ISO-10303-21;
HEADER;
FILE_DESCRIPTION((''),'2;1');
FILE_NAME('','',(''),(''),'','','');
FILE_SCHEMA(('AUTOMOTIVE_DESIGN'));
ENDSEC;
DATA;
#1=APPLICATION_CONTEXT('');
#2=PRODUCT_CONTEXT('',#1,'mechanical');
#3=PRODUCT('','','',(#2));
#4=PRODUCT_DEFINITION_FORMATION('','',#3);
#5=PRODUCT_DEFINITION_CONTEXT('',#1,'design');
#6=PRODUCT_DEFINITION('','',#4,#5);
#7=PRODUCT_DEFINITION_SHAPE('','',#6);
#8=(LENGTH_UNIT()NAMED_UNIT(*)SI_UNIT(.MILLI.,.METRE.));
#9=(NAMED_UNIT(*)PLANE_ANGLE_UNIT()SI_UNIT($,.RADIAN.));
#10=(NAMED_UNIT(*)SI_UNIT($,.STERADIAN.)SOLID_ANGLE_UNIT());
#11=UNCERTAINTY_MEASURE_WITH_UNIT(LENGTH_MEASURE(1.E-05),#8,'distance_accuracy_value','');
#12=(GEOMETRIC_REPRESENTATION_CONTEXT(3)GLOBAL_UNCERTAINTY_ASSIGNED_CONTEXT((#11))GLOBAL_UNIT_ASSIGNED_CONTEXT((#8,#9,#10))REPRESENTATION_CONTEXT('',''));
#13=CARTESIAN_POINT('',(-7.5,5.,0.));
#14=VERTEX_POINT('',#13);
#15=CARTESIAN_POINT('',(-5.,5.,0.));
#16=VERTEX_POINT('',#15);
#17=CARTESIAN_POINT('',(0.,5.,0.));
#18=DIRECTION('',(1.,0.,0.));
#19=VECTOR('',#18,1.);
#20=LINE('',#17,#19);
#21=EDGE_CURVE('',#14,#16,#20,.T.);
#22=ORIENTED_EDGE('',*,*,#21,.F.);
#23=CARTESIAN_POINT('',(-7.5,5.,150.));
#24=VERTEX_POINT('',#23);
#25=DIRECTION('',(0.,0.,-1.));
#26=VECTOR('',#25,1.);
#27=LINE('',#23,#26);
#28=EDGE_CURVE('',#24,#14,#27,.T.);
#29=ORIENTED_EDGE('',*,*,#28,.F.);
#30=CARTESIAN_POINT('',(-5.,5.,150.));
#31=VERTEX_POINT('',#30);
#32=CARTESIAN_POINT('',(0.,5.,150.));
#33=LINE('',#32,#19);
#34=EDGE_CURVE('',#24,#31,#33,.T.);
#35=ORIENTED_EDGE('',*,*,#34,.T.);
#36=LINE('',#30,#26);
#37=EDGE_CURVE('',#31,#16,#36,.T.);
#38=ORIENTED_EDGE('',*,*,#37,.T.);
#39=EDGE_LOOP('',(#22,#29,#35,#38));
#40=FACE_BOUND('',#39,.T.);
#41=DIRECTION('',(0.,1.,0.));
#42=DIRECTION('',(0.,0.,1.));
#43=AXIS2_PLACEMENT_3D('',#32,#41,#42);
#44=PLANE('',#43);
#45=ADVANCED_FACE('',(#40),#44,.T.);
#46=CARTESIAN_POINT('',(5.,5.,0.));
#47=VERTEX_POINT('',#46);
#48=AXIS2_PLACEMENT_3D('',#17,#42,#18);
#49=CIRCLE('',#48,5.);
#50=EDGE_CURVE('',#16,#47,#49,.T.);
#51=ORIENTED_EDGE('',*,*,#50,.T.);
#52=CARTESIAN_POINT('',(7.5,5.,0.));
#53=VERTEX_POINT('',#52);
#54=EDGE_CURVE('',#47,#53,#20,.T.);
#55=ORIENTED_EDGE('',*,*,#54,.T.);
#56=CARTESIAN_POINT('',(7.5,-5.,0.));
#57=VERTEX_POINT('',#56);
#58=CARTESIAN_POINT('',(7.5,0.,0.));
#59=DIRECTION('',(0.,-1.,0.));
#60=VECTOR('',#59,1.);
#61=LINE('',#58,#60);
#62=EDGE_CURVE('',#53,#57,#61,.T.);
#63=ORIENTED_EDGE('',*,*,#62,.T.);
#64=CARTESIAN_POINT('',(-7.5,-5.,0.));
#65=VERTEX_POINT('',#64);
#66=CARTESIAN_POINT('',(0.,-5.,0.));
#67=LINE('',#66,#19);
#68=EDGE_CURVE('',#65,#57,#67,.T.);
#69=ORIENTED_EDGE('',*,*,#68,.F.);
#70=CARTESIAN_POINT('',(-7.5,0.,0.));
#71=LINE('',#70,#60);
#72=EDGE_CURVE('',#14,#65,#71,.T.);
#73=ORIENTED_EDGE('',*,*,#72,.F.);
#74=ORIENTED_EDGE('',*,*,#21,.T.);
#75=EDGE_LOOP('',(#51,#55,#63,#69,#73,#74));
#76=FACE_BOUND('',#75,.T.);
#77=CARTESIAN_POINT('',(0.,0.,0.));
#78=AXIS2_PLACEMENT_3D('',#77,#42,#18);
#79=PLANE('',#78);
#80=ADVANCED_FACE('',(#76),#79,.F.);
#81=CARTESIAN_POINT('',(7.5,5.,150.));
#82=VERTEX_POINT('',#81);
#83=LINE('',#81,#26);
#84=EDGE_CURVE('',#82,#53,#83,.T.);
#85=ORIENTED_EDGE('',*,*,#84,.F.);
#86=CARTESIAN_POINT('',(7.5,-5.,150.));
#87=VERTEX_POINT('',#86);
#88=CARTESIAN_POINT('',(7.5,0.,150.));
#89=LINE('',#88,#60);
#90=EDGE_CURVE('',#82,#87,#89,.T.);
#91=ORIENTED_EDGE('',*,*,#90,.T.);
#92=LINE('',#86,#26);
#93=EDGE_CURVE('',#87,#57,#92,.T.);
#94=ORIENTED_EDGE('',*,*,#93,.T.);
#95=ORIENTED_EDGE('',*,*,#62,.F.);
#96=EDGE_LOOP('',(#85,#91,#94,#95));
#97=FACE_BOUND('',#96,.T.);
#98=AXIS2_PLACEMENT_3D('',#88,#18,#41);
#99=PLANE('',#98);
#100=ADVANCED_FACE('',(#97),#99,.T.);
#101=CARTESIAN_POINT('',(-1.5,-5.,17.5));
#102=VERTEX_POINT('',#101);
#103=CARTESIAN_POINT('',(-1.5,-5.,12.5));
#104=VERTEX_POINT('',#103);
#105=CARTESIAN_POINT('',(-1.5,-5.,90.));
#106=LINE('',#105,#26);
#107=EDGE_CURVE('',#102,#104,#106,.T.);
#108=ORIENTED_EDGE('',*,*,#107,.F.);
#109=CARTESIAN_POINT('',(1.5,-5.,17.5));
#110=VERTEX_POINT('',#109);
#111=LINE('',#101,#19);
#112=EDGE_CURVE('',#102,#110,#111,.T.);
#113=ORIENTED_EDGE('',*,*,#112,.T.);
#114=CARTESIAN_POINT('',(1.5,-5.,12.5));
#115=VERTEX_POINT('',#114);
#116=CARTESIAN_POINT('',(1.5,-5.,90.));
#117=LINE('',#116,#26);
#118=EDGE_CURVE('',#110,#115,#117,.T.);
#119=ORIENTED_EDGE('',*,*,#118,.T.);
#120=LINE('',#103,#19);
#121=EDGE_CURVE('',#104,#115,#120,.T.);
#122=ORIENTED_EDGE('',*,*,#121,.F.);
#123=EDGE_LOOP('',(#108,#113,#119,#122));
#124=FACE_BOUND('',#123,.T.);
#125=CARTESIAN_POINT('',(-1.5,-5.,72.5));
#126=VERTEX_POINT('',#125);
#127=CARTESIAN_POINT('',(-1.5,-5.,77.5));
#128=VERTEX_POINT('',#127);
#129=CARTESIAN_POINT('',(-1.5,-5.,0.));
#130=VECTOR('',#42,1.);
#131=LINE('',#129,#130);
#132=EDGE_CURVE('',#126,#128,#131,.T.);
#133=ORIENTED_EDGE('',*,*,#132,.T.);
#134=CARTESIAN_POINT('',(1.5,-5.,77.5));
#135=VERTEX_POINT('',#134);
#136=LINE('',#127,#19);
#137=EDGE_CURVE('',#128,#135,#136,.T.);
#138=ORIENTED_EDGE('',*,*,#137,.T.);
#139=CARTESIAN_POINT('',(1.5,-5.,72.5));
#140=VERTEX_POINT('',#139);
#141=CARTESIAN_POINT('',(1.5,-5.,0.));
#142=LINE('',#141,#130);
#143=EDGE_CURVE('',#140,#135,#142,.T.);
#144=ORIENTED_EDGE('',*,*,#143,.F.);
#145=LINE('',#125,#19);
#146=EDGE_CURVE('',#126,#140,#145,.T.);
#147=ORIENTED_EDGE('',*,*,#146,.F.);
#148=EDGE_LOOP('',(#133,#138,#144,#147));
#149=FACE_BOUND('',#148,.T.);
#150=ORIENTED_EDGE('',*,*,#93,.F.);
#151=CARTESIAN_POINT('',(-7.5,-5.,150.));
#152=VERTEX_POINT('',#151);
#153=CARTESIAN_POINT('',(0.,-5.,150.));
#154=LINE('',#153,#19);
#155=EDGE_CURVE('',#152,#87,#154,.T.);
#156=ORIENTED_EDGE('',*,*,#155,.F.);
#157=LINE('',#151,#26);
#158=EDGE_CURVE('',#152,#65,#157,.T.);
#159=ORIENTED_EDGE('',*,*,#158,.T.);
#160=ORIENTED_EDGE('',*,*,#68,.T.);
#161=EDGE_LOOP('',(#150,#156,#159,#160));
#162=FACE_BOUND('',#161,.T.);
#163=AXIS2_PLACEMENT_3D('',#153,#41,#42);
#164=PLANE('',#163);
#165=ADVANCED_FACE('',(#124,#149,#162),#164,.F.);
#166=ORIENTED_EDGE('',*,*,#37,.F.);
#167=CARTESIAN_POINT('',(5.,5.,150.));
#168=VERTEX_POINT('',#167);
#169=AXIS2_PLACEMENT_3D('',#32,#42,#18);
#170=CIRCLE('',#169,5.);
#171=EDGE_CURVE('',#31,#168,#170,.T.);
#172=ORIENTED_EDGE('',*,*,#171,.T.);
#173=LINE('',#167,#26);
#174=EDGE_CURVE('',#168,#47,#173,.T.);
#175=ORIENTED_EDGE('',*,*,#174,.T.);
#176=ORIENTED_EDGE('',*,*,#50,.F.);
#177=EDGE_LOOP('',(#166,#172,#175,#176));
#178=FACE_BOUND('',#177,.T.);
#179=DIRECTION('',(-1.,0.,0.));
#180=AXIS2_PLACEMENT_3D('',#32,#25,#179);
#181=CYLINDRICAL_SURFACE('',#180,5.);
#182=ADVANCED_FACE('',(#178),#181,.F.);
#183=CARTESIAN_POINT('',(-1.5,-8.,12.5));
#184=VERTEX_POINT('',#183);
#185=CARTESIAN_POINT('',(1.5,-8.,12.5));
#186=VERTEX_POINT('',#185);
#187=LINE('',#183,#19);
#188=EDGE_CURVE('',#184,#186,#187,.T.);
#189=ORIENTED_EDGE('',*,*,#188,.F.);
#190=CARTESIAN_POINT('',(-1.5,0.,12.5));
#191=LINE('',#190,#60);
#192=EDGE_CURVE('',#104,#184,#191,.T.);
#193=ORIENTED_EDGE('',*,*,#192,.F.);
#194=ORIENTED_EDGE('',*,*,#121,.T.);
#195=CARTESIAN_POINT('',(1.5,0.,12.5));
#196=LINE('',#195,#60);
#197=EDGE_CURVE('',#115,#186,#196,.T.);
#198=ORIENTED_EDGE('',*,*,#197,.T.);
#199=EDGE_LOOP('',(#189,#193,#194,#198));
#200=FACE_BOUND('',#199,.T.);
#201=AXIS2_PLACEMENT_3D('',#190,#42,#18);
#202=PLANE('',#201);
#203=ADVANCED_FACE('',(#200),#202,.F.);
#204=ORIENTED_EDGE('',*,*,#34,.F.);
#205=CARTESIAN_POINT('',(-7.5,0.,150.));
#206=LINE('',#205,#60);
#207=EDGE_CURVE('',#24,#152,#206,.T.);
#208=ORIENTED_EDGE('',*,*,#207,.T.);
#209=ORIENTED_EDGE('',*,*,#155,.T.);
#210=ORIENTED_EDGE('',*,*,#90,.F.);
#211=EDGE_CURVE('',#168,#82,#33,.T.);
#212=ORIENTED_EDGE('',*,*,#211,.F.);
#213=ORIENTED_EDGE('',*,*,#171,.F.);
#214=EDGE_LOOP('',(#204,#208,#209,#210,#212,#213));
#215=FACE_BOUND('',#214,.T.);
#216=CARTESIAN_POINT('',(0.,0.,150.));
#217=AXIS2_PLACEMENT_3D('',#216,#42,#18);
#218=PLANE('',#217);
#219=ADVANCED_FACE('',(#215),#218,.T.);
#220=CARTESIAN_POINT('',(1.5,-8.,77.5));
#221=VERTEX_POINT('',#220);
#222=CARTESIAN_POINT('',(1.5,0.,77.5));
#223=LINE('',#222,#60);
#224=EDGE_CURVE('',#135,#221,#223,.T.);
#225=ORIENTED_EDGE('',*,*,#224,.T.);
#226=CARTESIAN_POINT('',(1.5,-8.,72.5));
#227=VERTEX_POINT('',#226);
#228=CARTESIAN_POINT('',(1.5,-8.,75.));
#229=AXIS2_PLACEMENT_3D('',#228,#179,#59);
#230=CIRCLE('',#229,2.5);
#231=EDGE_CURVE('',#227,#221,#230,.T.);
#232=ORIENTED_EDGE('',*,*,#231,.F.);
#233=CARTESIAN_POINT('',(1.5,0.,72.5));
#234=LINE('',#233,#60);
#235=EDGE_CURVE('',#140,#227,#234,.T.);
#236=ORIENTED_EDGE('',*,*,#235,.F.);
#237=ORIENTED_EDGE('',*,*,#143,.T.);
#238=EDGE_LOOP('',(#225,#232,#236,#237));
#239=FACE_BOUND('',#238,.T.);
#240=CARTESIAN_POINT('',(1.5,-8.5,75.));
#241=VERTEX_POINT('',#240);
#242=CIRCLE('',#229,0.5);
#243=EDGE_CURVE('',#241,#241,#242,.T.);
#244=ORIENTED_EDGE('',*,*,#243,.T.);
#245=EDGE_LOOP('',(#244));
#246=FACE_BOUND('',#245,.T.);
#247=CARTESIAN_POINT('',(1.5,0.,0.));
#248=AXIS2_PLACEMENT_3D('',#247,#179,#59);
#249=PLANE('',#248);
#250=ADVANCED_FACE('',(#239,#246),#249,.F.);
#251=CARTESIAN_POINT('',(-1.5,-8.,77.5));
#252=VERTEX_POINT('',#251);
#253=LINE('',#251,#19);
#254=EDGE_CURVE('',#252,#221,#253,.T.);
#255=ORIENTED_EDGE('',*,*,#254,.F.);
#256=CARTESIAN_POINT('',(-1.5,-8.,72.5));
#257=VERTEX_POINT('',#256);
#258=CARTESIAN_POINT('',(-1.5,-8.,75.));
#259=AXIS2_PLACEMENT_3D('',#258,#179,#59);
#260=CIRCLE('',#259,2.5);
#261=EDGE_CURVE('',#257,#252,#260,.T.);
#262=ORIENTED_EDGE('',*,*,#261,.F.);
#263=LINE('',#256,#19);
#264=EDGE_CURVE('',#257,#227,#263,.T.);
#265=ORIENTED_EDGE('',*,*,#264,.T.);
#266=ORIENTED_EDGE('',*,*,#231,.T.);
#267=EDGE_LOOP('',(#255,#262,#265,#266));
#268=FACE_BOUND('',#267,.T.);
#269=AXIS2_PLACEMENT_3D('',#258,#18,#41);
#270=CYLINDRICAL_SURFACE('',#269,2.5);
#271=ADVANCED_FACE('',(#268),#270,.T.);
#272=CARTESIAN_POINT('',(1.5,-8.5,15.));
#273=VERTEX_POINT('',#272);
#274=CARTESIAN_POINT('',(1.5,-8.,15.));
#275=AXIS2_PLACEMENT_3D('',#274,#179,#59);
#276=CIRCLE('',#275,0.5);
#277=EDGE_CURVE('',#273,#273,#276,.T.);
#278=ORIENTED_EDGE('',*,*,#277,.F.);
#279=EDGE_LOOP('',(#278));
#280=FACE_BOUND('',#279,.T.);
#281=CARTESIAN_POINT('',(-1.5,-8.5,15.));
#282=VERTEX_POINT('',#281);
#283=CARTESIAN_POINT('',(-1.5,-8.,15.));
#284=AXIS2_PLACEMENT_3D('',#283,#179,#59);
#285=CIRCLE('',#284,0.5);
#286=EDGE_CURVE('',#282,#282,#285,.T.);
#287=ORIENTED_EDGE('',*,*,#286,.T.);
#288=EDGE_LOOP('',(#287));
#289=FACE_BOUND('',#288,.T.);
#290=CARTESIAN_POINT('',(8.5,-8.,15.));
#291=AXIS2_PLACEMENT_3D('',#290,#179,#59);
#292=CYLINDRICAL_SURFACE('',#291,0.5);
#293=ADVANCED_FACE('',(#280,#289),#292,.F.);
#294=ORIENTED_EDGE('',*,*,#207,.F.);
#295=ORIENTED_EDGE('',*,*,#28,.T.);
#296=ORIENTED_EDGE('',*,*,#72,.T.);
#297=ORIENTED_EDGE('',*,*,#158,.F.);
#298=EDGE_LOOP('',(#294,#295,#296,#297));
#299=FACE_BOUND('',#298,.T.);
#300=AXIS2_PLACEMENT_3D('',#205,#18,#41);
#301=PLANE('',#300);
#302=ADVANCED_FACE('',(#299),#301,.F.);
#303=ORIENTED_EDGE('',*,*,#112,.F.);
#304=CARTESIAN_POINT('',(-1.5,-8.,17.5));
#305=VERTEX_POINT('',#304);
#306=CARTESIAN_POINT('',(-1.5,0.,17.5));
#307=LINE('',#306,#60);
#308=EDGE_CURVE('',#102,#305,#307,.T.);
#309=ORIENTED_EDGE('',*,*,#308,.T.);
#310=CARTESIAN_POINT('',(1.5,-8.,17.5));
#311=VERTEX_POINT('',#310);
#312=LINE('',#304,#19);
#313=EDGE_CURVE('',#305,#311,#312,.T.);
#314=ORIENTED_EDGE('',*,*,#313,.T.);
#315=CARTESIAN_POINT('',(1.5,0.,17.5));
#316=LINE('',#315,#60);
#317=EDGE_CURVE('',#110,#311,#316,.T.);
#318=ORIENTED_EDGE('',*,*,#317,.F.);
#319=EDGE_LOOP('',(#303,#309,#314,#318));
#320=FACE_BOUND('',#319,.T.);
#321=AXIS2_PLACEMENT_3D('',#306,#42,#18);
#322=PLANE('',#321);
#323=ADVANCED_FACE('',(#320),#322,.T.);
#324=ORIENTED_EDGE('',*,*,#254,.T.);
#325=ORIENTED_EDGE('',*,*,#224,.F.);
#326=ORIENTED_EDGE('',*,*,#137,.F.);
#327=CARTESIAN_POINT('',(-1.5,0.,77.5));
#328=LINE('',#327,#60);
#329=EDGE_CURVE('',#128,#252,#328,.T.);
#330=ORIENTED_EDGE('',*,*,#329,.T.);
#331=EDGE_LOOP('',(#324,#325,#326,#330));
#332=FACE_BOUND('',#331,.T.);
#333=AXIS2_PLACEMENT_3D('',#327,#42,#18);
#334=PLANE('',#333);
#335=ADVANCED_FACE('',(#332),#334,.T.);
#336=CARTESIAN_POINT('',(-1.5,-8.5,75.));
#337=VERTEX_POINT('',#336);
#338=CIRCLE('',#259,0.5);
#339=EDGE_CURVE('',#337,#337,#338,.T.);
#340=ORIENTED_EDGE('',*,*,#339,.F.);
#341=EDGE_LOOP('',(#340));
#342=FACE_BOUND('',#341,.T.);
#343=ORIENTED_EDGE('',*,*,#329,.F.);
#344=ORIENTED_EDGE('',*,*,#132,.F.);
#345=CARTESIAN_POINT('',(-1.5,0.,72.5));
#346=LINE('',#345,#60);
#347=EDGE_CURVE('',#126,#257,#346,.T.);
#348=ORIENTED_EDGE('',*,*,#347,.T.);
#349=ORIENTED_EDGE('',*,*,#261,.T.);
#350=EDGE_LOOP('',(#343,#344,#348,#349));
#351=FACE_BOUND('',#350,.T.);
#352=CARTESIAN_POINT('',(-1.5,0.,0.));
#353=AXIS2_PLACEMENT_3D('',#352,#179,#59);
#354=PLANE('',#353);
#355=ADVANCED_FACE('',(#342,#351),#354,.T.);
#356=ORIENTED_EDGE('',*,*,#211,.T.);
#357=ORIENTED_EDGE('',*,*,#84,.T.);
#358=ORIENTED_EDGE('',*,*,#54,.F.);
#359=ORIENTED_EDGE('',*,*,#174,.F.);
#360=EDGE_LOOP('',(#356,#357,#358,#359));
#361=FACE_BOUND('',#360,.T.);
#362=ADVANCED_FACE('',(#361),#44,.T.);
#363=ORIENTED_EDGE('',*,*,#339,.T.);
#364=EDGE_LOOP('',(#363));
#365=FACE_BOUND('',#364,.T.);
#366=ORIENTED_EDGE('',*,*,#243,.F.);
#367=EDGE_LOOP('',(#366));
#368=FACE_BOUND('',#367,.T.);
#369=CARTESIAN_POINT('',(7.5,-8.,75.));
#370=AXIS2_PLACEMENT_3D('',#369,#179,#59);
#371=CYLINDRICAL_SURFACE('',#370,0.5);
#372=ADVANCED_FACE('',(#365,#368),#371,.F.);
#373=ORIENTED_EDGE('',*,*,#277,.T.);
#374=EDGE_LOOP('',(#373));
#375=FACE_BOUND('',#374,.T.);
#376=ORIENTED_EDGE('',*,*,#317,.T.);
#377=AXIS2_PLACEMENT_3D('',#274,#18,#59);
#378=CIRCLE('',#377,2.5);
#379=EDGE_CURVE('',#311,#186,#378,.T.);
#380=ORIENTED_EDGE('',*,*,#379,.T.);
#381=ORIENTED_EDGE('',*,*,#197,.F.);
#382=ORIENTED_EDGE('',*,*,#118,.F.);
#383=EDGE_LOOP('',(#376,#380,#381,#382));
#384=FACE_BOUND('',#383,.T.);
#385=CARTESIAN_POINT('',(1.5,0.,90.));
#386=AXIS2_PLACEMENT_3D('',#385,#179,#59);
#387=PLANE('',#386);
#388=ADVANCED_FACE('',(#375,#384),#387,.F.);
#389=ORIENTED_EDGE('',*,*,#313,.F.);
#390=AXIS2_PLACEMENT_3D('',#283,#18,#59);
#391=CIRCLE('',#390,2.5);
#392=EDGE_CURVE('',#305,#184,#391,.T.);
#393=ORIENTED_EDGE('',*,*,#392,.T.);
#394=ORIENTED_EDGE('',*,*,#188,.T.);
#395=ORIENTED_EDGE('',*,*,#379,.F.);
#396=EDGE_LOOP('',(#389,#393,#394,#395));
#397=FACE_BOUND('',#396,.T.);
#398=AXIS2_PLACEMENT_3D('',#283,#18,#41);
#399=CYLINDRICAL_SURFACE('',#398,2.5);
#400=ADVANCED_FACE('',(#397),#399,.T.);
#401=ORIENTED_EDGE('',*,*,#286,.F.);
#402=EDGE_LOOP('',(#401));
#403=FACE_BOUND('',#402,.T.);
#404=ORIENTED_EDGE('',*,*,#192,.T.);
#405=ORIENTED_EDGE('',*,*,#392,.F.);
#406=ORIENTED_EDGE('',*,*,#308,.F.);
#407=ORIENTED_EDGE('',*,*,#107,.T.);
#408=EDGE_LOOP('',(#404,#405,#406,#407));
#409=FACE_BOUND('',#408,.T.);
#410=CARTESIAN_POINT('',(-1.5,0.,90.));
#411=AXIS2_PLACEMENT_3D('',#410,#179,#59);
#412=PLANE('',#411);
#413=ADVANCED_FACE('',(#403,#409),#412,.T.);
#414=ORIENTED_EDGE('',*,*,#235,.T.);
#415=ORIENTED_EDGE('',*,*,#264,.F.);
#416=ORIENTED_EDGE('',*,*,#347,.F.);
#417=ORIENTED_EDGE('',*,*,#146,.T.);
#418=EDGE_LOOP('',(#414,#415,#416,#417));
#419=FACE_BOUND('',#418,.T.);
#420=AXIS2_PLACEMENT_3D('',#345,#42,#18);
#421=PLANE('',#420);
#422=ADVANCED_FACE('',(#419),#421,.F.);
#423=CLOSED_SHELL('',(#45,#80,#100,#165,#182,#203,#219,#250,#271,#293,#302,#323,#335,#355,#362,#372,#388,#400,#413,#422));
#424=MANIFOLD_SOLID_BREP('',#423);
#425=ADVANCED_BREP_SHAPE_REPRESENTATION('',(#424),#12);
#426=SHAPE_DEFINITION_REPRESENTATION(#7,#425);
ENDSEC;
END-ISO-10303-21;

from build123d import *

# Parameters (mm, degrees)
BOSS_EXTRUDE1_DEPTH     = 150
BOSS_EXTRUDE6_DEPTH     = 1.5
SKETCH7_R               = 0.5
CUT_EXTRUDE1_DEPTH      = 8.5
CUT_EXTRUDE1_DEPTH_BACK = 8.5
SKETCH9_R               = 0.5
CUT_EXTRUDE2_DEPTH      = 10


with BuildPart() as part:
    # Sketch1 → Boss-Extrude1 (new body)
    with BuildSketch(Plane.XY):
        with BuildLine():
            Line((7.5, 5), (5, 5))
            ThreePointArc((5, 5), (0, 0), (-5, 5))
            Line((-5, 5), (-7.5, 5))
            Line((-7.5, 5), (-7.5, -5))
            Line((-7.5, -5), (7.5, -5))
            Line((7.5, -5), (7.5, 5))
        make_face()
    extrude(amount=BOSS_EXTRUDE1_DEPTH)

    # Sketch6 → Boss-Extrude6 (add, symmetric)
    with BuildSketch(Plane.ZY):
        with BuildLine():
            ThreePointArc((77.5, -8), (75, -5.5), (72.5, -8))
            Line((72.5, -8), (77.5, -8))
        make_face()
        with BuildLine():
            Line((77.5, -8), (72.5, -8))
            ThreePointArc((72.5, -8), (75, -10.5), (77.5, -8))
        make_face()
        with BuildLine():
            Line((77.5, -5), (72.5, -5))
            Line((72.5, -5), (72.5, -8))
            ThreePointArc((72.5, -8), (75, -5.5), (77.5, -8))
            Line((77.5, -8), (77.5, -5))
        make_face()
    boss_extrude6 = extrude(amount=BOSS_EXTRUDE6_DEPTH, both=True)

    # Mirror1: Boss-Extrude6 across plane
    add(boss_extrude6.mirror(Plane(origin=(0, 0, 45), x_dir=(1, 0, 0), z_dir=(0, 0, -1))))

    # Sketch7 → Cut-Extrude1 (cut, two sides)
    with BuildSketch(Plane.ZY) as cut_extrude1_sk:
        with Locations((75, -8)):
            Circle(SKETCH7_R)
    extrude(amount=CUT_EXTRUDE1_DEPTH, mode=Mode.SUBTRACT)
    extrude(cut_extrude1_sk.sketch, amount=-CUT_EXTRUDE1_DEPTH_BACK, mode=Mode.SUBTRACT)

    # Sketch9 → Cut-Extrude2 (cut)
    with BuildSketch(Plane.ZY.offset(1.5)):
        with Locations((15, -8)):
            Circle(SKETCH9_R)
    extrude(amount=-CUT_EXTRUDE2_DEPTH, mode=Mode.SUBTRACT)


solid = part.part
